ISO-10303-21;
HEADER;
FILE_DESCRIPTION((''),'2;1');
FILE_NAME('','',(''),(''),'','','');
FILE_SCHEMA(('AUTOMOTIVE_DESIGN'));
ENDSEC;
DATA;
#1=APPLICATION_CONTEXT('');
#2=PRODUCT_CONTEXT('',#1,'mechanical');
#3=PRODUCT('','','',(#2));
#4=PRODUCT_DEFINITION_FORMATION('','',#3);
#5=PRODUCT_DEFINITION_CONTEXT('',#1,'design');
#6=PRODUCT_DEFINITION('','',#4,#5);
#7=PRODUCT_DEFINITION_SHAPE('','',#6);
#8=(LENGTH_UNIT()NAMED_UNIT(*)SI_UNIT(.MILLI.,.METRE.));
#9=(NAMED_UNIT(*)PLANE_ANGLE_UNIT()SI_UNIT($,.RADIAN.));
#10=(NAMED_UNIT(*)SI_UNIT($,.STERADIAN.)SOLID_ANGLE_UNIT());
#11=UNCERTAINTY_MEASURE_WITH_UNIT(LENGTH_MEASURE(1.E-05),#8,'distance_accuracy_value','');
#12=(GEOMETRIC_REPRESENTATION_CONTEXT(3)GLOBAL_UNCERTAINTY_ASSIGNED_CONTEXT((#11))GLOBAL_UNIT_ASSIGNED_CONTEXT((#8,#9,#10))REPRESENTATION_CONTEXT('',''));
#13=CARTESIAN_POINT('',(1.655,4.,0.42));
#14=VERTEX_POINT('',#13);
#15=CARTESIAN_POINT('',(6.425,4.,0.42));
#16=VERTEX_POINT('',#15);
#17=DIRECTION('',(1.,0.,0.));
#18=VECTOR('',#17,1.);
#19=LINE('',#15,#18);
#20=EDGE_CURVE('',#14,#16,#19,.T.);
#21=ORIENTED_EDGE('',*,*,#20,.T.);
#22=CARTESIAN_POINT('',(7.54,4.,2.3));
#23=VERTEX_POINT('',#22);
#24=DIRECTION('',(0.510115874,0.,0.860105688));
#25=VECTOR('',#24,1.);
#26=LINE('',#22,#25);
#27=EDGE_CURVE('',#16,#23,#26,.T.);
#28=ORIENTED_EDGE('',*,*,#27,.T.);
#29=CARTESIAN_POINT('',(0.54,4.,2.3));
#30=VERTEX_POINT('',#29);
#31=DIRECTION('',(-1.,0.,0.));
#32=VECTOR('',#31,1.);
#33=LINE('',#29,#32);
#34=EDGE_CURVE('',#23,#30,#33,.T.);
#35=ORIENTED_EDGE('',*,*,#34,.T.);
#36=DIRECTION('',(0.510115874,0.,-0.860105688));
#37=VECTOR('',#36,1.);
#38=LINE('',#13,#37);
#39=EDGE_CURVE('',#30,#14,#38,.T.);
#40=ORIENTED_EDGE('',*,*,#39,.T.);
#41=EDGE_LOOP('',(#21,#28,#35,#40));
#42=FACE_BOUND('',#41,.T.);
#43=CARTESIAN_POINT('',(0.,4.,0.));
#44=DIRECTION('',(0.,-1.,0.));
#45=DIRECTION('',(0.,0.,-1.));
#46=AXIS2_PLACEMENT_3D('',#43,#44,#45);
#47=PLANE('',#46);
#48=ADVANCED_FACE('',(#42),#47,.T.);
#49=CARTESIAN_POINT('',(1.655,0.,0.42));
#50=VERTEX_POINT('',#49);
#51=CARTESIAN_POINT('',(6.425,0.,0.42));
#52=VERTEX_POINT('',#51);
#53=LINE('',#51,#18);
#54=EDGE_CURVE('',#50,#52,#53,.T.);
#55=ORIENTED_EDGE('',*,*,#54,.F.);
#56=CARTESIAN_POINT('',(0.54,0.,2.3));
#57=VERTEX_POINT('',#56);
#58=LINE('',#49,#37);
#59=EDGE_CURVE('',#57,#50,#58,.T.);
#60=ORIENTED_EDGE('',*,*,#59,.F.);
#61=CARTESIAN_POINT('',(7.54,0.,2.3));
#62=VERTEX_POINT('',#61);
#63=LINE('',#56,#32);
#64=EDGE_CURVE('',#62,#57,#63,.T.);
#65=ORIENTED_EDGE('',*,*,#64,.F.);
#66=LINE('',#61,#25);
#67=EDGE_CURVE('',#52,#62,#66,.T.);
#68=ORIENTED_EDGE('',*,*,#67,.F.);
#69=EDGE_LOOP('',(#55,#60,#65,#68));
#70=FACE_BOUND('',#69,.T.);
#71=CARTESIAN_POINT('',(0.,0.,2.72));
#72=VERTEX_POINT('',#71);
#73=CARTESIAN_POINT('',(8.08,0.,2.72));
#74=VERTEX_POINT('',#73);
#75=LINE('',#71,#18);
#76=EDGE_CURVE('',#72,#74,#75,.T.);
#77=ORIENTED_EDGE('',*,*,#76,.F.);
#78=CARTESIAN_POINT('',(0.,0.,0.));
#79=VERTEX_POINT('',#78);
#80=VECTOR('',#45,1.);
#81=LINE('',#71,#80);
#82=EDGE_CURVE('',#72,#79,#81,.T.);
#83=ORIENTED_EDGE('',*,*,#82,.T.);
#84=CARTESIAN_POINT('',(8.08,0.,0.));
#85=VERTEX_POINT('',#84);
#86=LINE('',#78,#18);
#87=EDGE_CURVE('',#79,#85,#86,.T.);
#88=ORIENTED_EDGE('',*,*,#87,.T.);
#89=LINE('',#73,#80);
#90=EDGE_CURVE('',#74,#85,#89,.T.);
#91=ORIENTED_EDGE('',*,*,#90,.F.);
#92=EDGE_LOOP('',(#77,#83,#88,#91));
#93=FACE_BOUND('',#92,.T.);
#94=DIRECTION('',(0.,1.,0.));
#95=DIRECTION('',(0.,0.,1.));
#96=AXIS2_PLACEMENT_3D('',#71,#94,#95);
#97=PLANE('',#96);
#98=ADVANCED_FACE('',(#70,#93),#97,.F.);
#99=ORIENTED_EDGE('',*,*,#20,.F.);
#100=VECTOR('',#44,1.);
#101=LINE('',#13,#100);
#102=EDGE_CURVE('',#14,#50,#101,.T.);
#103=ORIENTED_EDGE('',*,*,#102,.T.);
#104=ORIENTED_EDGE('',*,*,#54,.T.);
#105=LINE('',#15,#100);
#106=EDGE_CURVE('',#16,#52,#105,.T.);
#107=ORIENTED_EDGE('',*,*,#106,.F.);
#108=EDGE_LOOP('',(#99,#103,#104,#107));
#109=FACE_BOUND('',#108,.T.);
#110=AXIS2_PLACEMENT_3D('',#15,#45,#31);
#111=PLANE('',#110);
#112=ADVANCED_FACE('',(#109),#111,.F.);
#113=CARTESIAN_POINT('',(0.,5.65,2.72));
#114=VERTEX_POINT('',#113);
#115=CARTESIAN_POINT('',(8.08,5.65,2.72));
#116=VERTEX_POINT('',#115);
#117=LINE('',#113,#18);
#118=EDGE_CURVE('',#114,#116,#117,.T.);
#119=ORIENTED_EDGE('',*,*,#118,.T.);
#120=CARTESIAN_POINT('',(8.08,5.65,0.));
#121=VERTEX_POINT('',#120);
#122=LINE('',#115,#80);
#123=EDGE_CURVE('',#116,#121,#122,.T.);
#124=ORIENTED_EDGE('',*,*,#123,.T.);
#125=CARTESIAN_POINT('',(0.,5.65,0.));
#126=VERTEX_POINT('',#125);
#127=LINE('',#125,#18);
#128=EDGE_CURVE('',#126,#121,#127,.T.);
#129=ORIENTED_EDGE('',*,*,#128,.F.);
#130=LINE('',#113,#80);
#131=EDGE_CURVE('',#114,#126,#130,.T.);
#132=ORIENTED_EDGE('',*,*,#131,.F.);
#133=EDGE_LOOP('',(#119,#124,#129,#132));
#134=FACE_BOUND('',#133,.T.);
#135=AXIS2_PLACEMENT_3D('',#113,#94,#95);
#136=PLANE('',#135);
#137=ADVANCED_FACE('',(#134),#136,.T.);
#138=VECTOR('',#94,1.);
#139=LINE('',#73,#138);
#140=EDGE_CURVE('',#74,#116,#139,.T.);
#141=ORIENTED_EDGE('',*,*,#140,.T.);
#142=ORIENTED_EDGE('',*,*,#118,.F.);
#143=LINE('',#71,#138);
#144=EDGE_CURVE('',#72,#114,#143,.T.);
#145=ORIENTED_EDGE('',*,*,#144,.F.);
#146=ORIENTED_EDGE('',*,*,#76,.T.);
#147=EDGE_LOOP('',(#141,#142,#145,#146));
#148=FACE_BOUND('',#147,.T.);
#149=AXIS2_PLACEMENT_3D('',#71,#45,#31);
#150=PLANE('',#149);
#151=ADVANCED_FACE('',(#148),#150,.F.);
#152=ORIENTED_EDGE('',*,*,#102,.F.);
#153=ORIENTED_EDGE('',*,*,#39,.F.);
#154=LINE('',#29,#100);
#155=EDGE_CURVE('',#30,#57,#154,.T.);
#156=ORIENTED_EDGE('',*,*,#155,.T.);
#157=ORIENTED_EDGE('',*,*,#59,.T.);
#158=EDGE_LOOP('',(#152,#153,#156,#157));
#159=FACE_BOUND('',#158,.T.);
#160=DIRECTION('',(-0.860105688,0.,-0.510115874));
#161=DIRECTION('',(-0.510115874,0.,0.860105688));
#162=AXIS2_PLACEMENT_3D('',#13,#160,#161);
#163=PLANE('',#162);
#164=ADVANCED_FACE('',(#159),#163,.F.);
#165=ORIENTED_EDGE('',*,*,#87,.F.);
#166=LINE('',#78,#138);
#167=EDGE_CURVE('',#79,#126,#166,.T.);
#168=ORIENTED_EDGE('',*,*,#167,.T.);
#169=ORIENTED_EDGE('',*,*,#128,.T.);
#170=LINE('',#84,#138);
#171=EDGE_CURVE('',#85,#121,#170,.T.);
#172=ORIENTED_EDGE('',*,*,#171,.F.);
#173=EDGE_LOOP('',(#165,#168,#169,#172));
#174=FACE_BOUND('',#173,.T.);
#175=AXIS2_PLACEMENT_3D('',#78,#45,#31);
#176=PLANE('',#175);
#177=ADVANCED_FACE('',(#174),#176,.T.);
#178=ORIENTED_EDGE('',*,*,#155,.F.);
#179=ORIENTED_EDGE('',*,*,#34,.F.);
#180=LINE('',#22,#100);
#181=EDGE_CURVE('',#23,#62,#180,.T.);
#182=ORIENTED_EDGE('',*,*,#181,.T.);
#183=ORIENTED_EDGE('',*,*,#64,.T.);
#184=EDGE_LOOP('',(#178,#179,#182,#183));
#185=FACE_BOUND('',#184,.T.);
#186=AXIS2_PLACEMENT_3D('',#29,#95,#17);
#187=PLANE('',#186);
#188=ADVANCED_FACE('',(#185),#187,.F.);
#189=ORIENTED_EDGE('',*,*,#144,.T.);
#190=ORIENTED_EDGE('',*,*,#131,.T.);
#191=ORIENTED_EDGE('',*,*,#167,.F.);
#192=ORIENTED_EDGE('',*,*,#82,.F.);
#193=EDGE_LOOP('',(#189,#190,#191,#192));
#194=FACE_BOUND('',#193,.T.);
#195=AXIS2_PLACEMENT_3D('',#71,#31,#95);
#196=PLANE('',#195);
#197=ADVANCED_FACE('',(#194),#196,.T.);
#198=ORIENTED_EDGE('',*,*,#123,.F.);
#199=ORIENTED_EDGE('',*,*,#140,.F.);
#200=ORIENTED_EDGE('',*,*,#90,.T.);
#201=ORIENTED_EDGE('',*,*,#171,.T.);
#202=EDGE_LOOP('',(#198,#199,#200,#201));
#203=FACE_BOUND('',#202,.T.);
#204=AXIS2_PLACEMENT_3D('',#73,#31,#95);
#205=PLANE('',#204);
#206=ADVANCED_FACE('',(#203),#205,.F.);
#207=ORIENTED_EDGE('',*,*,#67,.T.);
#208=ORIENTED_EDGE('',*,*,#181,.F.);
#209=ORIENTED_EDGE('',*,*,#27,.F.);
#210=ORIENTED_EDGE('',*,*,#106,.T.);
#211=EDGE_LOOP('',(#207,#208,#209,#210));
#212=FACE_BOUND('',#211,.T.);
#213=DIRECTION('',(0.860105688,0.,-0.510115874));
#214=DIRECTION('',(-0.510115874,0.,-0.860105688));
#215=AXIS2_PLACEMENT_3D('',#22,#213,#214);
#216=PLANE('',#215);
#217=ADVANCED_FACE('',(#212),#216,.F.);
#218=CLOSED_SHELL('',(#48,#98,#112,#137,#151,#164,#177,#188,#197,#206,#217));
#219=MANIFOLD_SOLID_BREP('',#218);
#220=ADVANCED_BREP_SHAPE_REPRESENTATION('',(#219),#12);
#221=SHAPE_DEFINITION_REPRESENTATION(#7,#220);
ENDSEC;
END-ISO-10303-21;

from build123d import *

# Parameters (mm, degrees)
SKETCH1_W           = 8.08
SKETCH1_H           = 5.65
BOSS_EXTRUDE1_DEPTH = 2.72
CUT_EXTRUDE1_DEPTH  = 4


with BuildPart() as part:
    # Sketch1 → Boss-Extrude1 (new body)
    with BuildSketch(Plane.XY):
        with Locations((4.04, 2.825)):
            Rectangle(SKETCH1_W, SKETCH1_H)
    extrude(amount=BOSS_EXTRUDE1_DEPTH)

    # Sketch2 → Cut-Extrude1 (cut)
    with BuildSketch(Plane.XZ):
        Polygon((0.54, 2.3), (7.54, 2.3), (6.425, 0.42), (1.655, 0.42), align=None)
    extrude(amount=-CUT_EXTRUDE1_DEPTH, mode=Mode.SUBTRACT)


solid = part.part
